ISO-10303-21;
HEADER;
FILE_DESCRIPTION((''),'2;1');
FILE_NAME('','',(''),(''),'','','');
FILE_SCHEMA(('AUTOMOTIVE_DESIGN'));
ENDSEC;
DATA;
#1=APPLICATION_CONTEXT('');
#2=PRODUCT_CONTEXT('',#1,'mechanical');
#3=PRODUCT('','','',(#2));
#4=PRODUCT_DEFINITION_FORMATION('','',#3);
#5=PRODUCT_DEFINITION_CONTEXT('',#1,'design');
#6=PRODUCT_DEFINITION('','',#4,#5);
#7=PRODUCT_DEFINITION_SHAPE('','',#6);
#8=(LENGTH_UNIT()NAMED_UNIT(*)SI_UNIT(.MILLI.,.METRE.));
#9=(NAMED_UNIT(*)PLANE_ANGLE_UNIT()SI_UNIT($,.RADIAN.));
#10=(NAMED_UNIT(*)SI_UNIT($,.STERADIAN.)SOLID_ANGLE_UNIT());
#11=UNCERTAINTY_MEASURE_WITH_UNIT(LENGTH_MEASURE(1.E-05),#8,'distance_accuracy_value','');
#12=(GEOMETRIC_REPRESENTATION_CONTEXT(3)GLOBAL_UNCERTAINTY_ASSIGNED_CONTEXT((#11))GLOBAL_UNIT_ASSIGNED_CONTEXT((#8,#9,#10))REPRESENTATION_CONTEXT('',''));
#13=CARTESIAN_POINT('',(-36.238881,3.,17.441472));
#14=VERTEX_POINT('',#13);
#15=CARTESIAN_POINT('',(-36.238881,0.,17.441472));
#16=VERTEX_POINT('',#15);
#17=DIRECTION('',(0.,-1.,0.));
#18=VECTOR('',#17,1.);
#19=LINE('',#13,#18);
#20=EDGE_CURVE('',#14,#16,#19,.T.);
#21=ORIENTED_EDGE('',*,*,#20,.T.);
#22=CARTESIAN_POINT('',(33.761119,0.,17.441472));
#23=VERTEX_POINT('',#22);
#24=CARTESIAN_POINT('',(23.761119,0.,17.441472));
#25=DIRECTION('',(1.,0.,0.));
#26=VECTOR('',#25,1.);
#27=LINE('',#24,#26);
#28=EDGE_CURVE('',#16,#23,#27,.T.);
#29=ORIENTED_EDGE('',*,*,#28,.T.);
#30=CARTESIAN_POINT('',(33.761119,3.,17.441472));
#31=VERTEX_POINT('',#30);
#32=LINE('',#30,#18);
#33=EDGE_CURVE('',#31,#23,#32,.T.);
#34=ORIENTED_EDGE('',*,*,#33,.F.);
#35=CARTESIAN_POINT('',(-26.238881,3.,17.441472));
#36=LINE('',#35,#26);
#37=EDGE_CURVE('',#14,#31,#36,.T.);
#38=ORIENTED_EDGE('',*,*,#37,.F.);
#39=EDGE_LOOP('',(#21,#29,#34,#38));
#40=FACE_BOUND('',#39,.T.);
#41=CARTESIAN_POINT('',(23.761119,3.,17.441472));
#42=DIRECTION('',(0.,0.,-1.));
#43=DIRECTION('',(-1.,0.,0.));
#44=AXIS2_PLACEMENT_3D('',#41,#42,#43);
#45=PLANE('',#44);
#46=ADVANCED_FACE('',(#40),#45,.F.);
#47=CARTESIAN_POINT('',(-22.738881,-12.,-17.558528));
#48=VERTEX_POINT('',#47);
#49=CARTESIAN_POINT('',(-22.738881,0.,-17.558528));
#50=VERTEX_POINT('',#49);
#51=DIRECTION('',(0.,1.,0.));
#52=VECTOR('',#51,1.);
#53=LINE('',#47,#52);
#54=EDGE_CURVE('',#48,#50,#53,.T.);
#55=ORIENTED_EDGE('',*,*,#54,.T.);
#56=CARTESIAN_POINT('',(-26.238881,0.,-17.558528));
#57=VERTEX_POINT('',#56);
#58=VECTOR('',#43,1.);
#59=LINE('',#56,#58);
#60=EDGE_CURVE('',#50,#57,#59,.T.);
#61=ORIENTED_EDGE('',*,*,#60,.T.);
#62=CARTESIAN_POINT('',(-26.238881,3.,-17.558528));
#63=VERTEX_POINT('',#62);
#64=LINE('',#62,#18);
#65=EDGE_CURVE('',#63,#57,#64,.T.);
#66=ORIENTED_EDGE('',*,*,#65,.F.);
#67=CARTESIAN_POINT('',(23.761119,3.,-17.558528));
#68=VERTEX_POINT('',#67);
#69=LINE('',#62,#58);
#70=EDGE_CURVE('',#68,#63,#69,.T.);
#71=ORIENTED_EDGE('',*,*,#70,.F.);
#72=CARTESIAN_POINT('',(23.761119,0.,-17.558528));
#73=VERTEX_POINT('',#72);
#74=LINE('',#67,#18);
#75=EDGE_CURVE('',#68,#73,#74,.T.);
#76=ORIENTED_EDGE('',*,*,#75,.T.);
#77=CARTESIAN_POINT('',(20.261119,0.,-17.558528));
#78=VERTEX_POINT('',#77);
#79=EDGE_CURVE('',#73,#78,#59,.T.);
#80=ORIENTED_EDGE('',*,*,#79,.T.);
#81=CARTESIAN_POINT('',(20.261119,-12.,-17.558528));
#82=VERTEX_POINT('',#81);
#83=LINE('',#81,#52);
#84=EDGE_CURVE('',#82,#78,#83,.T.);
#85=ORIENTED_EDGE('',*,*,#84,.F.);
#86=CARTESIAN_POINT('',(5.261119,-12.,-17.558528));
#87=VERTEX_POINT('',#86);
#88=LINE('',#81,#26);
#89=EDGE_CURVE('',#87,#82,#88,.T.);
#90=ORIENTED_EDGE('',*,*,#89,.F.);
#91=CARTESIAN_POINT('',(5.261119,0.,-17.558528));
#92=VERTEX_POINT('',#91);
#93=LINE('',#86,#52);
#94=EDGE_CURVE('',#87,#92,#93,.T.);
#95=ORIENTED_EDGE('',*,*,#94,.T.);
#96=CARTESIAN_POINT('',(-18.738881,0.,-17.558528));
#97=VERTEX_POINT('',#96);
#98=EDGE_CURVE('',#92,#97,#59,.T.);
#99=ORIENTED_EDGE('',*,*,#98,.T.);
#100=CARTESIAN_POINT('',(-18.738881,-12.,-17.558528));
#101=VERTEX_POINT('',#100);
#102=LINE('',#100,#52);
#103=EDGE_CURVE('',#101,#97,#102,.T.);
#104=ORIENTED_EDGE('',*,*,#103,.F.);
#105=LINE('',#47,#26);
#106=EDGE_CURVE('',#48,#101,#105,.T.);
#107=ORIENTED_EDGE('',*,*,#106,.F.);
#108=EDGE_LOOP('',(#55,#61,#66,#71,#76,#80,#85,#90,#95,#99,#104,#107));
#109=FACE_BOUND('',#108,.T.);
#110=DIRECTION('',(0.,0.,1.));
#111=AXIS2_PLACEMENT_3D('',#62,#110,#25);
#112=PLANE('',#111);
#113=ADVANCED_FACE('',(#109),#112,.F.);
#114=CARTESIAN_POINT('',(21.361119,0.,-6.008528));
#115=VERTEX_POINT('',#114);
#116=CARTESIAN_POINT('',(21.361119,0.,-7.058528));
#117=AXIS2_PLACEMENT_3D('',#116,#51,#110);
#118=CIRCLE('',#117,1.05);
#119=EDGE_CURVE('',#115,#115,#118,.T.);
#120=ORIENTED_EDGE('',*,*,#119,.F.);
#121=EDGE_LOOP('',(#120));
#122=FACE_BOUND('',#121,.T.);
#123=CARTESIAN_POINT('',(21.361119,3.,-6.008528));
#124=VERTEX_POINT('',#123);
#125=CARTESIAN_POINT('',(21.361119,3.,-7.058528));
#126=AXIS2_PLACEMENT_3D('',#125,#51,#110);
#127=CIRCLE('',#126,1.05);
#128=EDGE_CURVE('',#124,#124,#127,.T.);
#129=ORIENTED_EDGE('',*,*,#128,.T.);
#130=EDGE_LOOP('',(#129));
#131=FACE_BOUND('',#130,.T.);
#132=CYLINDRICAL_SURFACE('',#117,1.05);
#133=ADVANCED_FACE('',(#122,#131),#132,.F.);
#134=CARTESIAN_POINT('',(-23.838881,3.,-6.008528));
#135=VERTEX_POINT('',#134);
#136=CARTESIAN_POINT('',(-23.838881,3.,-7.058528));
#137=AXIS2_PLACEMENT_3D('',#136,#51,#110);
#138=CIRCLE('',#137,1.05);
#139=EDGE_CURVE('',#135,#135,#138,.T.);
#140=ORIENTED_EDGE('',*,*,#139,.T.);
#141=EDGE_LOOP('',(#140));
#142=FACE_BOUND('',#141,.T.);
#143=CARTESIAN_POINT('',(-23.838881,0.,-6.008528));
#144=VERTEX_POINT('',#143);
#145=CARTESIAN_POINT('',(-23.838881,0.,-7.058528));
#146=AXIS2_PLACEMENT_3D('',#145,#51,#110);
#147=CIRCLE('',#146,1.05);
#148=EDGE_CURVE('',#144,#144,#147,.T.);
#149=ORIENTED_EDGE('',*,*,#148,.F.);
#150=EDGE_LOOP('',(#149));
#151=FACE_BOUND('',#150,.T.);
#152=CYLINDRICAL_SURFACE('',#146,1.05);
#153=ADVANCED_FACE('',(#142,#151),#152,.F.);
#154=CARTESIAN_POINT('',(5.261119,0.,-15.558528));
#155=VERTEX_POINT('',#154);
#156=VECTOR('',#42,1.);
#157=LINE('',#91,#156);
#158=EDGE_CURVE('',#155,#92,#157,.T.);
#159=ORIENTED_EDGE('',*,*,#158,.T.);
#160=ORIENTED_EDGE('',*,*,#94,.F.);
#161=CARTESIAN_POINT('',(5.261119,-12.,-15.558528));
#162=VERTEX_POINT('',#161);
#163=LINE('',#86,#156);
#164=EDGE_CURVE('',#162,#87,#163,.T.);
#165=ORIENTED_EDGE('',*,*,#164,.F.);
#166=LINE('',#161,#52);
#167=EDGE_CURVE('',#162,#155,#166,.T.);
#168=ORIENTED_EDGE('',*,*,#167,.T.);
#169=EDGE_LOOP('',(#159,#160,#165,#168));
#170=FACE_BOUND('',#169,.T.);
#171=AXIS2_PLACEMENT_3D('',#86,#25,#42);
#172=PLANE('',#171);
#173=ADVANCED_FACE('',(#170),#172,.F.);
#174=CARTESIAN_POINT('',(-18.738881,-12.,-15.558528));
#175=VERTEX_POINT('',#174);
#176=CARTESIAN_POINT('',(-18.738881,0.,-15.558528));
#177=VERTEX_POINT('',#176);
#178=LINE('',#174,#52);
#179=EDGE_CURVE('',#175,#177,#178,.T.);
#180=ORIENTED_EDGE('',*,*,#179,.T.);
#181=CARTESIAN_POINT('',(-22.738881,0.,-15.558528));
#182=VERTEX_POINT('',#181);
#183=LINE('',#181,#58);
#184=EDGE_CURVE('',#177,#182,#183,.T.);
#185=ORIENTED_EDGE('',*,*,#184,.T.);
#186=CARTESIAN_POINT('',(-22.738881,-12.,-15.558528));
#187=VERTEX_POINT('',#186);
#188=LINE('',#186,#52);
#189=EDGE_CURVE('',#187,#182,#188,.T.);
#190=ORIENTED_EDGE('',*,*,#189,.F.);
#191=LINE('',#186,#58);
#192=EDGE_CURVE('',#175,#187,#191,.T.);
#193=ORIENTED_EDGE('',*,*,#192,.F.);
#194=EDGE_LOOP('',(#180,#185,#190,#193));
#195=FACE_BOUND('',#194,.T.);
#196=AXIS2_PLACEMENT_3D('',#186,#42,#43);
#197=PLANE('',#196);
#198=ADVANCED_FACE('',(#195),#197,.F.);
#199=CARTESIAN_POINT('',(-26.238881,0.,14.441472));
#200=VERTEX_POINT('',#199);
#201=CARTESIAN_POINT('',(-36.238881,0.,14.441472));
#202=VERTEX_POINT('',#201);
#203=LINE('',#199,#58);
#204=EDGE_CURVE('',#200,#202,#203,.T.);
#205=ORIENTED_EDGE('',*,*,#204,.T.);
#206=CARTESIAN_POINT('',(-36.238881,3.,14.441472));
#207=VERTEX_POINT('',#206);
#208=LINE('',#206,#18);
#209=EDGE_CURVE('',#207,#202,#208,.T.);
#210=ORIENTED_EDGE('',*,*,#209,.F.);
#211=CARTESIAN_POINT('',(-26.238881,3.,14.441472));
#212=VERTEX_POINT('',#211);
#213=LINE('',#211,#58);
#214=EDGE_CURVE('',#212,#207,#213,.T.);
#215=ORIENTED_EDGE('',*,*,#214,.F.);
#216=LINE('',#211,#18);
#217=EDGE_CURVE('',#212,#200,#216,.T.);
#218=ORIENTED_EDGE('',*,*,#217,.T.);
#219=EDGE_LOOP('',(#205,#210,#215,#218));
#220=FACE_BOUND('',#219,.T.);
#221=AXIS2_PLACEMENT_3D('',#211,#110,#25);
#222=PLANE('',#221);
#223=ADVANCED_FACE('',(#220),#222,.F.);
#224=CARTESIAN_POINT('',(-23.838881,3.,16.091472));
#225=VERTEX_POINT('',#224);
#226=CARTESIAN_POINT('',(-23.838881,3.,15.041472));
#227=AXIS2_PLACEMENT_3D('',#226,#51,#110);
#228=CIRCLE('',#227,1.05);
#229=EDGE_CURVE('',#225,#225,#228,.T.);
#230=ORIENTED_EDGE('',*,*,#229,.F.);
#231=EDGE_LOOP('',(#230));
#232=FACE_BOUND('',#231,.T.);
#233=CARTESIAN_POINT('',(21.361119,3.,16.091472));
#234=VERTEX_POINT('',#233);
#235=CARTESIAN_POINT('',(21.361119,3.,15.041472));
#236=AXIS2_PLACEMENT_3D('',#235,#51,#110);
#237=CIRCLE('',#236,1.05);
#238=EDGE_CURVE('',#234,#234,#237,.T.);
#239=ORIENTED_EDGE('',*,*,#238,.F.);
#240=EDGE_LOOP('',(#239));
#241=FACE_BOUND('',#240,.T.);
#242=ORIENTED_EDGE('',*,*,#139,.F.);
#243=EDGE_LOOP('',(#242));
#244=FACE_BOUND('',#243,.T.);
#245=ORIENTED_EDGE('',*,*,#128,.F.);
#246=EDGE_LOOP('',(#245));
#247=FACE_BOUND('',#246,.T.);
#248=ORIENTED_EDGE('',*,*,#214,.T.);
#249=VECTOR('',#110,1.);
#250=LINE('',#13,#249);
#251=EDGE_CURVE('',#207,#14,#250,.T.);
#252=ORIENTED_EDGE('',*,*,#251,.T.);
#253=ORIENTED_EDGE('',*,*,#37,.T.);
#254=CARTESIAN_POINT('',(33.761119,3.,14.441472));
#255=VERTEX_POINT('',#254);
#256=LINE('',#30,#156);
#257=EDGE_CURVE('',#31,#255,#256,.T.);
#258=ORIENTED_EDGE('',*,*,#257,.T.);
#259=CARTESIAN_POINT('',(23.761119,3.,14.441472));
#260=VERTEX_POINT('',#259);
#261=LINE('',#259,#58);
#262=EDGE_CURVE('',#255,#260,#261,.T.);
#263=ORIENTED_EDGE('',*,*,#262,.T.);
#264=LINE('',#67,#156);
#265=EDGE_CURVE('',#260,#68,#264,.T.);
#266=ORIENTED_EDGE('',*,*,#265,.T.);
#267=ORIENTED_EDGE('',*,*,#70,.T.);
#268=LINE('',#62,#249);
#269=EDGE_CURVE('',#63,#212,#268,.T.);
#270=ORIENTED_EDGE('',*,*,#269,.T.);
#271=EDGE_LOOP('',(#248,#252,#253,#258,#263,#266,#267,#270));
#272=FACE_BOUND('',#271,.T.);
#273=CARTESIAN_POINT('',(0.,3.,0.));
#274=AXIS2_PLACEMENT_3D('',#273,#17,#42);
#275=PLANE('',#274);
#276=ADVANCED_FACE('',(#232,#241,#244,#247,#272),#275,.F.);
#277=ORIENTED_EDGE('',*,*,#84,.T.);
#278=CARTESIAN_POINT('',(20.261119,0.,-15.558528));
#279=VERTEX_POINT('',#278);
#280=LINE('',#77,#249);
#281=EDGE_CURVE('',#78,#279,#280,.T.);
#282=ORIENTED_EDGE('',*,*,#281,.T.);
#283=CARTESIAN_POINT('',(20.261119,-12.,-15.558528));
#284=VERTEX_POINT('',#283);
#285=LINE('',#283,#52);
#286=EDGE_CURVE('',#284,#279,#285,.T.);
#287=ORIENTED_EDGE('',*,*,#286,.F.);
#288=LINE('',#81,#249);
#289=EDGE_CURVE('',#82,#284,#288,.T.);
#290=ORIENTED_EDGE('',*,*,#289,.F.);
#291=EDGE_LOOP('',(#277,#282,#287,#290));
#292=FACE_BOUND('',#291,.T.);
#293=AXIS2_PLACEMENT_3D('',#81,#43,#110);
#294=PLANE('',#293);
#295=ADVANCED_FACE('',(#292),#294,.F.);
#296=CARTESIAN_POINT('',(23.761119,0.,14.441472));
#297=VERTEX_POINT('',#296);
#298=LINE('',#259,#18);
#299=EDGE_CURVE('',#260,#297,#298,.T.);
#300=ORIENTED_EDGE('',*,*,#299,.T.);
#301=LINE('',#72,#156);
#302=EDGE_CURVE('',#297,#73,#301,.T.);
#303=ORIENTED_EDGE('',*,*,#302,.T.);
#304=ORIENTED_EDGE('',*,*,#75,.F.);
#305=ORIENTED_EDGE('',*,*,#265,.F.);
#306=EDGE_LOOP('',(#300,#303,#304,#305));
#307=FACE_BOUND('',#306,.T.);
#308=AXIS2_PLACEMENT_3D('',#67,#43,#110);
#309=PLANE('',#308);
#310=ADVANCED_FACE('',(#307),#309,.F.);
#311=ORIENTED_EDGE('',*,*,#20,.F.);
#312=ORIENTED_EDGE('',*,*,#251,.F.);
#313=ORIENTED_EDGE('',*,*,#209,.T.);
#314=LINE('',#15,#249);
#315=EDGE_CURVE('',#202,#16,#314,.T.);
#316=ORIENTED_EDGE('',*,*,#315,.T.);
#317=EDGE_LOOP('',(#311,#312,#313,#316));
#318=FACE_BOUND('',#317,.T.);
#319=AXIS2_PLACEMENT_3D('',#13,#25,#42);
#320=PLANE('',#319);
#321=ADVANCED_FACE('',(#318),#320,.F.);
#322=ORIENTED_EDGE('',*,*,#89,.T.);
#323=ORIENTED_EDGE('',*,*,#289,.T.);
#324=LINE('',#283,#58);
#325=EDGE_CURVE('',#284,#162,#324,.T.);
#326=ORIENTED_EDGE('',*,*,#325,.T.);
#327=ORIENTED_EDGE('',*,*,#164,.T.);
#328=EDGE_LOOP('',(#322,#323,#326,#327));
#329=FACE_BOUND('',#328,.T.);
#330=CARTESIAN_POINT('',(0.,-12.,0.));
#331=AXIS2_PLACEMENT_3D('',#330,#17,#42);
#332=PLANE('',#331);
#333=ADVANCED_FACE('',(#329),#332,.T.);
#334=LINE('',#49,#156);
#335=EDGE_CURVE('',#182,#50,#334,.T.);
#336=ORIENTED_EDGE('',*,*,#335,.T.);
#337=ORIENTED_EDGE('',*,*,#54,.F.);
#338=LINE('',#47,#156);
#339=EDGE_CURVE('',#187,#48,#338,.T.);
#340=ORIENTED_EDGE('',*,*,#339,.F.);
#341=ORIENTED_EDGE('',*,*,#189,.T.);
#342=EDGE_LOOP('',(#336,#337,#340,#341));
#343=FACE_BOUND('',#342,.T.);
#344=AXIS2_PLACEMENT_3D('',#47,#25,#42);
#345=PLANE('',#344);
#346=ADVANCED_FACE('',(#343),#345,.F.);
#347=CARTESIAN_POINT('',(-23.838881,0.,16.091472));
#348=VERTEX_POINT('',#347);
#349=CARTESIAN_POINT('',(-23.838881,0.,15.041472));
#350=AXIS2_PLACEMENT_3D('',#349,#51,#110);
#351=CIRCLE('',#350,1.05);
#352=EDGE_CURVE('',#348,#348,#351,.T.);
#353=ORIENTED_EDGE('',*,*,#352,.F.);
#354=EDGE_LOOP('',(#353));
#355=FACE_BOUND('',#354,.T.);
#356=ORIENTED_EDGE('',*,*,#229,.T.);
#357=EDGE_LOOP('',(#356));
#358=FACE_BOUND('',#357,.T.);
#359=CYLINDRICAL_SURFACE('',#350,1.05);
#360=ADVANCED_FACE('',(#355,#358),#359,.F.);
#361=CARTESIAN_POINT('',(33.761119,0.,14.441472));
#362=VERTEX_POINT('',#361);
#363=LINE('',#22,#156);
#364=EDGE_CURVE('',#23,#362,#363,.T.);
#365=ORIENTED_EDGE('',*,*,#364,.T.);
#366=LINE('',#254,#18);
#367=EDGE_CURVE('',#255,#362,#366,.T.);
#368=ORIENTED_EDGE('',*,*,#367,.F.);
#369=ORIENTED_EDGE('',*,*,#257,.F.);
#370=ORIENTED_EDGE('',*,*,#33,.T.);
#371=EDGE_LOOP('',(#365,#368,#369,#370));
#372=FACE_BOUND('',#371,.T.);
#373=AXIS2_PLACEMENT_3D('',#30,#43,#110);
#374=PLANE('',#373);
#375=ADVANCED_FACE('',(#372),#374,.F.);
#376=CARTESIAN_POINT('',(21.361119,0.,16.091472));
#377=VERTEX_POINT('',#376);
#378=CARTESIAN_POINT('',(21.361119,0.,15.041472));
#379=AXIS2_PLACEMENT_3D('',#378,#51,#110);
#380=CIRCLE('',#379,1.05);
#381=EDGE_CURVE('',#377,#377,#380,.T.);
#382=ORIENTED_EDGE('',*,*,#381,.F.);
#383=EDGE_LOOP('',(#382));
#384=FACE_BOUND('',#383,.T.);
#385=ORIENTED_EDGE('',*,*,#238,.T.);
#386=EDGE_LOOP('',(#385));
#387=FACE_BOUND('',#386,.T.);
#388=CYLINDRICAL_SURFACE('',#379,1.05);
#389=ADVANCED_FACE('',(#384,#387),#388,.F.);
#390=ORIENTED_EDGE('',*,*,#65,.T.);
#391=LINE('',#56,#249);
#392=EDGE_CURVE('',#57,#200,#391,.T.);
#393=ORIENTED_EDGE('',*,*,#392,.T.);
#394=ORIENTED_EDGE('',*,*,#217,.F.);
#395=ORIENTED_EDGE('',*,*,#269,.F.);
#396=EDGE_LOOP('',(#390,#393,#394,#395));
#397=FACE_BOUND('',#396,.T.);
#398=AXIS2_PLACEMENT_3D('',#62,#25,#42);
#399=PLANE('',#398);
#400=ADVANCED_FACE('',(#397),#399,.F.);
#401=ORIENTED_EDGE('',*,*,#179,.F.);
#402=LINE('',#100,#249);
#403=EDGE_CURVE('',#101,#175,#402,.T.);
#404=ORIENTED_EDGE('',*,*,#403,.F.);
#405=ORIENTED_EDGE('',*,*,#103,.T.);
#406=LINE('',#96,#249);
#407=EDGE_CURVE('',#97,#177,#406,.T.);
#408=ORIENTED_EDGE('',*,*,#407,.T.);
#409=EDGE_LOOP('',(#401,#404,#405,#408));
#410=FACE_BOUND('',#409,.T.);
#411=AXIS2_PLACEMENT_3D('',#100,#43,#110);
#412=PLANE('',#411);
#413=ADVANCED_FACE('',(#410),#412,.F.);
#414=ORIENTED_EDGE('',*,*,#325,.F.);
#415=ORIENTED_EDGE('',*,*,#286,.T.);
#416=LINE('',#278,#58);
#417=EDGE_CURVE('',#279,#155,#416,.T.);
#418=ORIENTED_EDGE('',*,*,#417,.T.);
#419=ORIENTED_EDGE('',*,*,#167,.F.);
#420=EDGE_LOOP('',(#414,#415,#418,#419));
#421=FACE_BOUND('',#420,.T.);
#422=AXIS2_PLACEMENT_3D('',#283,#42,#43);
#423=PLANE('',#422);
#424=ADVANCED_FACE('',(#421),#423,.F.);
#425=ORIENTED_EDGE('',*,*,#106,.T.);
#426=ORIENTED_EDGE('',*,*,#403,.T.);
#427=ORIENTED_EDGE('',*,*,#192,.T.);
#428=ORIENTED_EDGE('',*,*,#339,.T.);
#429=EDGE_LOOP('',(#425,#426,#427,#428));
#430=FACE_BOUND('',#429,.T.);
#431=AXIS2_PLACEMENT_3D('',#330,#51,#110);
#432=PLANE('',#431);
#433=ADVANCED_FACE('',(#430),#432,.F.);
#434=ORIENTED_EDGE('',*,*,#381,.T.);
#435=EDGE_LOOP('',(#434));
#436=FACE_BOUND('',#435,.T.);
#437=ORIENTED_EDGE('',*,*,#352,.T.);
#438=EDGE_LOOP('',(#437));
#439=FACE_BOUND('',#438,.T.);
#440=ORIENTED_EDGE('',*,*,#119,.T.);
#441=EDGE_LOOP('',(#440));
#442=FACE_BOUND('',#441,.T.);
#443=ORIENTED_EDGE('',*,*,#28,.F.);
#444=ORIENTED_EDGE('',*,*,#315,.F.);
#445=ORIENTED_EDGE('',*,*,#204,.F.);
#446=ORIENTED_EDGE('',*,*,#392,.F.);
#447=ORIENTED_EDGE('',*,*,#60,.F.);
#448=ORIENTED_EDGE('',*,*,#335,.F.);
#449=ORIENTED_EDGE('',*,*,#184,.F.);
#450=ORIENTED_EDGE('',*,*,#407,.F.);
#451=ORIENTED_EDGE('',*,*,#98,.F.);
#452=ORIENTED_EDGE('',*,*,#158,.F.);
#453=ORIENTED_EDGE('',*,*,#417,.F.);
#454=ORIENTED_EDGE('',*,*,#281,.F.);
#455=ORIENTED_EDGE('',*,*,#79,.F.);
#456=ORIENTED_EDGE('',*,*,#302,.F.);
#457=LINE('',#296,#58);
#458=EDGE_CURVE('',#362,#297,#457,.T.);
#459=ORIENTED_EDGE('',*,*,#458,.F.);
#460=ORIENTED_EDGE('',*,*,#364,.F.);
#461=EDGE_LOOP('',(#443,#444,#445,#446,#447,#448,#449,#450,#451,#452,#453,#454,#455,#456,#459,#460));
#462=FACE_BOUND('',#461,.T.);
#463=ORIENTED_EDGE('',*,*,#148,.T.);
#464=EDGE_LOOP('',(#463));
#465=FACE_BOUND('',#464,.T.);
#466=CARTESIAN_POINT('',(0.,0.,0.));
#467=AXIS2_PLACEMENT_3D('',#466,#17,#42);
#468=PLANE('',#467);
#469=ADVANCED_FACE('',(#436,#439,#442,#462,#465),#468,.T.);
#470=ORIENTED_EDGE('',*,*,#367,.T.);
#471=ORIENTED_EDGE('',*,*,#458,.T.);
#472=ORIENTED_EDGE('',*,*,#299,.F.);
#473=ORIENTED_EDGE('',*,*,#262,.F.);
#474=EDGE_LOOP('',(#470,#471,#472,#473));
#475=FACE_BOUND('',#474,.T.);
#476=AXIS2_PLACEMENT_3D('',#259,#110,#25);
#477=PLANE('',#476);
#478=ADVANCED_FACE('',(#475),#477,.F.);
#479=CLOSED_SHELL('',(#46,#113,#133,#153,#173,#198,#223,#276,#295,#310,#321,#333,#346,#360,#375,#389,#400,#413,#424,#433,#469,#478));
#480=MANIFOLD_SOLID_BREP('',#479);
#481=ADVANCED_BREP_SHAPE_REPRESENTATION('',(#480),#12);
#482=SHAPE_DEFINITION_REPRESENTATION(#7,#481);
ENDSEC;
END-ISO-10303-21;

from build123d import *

# Parameters (mm, degrees)
BOSS_EXTRUDE1_DEPTH = 3
SKETCH2_R           = 1.05
CUT_EXTRUDE1_DEPTH  = 3
SKETCH3_R           = 1.05
CUT_EXTRUDE2_DEPTH  = 3
SKETCH4_W           = 15
SKETCH4_H           = 2
SKETCH4_W_2         = 4
BOSS_EXTRUDE2_DEPTH = 12


with BuildPart() as part:
    # Sketch1 → Boss-Extrude1 (new body)
    with BuildSketch(Plane(origin=(0, 0, 0), x_dir=(1, 0, 0), z_dir=(0, 1, 0))):
        Polygon((-26.238881315, 17.558528428), (23.761118685, 17.558528428), (23.761118685, -14.441471572), (33.761118685, -14.441471572), (33.761118685, -17.441471572), (23.761118685, -17.441471572), (-26.238881315, -17.441471572), (-36.238881315, -17.441471572), (-36.238881315, -14.441471572), (-26.238881315, -14.441471572), align=None)
    extrude(amount=BOSS_EXTRUDE1_DEPTH)

    # Sketch2 → Cut-Extrude1 (cut)
    with BuildSketch(Plane(origin=(0, 3, 0), x_dir=(1, 0, 0), z_dir=(0, 1, 0))):
        with Locations(Location((-23.838881315, -15.041471572, 0), (0, 0, 270))):
            Circle(SKETCH2_R)
        with Locations(Location((21.361118685, -15.041471572, 0), (0, 0, 270))):
            Circle(SKETCH2_R)
    extrude(amount=-CUT_EXTRUDE1_DEPTH, mode=Mode.SUBTRACT)

    # Sketch3 → Cut-Extrude2 (cut)
    with BuildSketch(Plane(origin=(0, 3, 0), x_dir=(1, 0, 0), z_dir=(0, 1, 0))):
        with Locations(Location((-23.838881315, 7.058528428, 0), (0, 0, 270))):
            Circle(SKETCH3_R)
        with Locations(Location((21.361118685, 7.058528428, 0), (0, 0, 270))):
            Circle(SKETCH3_R)
    extrude(amount=-CUT_EXTRUDE2_DEPTH, mode=Mode.SUBTRACT)

    # Sketch4 → Boss-Extrude2 (add)
    with BuildSketch(Plane.XZ):
        with Locations((12.761118685, -16.558528428)):
            Rectangle(SKETCH4_W, SKETCH4_H)
        with Locations((-20.738881315, -16.558528428)):
            Rectangle(SKETCH4_W_2, SKETCH4_H)
    extrude(amount=BOSS_EXTRUDE2_DEPTH)


solid = part.part
